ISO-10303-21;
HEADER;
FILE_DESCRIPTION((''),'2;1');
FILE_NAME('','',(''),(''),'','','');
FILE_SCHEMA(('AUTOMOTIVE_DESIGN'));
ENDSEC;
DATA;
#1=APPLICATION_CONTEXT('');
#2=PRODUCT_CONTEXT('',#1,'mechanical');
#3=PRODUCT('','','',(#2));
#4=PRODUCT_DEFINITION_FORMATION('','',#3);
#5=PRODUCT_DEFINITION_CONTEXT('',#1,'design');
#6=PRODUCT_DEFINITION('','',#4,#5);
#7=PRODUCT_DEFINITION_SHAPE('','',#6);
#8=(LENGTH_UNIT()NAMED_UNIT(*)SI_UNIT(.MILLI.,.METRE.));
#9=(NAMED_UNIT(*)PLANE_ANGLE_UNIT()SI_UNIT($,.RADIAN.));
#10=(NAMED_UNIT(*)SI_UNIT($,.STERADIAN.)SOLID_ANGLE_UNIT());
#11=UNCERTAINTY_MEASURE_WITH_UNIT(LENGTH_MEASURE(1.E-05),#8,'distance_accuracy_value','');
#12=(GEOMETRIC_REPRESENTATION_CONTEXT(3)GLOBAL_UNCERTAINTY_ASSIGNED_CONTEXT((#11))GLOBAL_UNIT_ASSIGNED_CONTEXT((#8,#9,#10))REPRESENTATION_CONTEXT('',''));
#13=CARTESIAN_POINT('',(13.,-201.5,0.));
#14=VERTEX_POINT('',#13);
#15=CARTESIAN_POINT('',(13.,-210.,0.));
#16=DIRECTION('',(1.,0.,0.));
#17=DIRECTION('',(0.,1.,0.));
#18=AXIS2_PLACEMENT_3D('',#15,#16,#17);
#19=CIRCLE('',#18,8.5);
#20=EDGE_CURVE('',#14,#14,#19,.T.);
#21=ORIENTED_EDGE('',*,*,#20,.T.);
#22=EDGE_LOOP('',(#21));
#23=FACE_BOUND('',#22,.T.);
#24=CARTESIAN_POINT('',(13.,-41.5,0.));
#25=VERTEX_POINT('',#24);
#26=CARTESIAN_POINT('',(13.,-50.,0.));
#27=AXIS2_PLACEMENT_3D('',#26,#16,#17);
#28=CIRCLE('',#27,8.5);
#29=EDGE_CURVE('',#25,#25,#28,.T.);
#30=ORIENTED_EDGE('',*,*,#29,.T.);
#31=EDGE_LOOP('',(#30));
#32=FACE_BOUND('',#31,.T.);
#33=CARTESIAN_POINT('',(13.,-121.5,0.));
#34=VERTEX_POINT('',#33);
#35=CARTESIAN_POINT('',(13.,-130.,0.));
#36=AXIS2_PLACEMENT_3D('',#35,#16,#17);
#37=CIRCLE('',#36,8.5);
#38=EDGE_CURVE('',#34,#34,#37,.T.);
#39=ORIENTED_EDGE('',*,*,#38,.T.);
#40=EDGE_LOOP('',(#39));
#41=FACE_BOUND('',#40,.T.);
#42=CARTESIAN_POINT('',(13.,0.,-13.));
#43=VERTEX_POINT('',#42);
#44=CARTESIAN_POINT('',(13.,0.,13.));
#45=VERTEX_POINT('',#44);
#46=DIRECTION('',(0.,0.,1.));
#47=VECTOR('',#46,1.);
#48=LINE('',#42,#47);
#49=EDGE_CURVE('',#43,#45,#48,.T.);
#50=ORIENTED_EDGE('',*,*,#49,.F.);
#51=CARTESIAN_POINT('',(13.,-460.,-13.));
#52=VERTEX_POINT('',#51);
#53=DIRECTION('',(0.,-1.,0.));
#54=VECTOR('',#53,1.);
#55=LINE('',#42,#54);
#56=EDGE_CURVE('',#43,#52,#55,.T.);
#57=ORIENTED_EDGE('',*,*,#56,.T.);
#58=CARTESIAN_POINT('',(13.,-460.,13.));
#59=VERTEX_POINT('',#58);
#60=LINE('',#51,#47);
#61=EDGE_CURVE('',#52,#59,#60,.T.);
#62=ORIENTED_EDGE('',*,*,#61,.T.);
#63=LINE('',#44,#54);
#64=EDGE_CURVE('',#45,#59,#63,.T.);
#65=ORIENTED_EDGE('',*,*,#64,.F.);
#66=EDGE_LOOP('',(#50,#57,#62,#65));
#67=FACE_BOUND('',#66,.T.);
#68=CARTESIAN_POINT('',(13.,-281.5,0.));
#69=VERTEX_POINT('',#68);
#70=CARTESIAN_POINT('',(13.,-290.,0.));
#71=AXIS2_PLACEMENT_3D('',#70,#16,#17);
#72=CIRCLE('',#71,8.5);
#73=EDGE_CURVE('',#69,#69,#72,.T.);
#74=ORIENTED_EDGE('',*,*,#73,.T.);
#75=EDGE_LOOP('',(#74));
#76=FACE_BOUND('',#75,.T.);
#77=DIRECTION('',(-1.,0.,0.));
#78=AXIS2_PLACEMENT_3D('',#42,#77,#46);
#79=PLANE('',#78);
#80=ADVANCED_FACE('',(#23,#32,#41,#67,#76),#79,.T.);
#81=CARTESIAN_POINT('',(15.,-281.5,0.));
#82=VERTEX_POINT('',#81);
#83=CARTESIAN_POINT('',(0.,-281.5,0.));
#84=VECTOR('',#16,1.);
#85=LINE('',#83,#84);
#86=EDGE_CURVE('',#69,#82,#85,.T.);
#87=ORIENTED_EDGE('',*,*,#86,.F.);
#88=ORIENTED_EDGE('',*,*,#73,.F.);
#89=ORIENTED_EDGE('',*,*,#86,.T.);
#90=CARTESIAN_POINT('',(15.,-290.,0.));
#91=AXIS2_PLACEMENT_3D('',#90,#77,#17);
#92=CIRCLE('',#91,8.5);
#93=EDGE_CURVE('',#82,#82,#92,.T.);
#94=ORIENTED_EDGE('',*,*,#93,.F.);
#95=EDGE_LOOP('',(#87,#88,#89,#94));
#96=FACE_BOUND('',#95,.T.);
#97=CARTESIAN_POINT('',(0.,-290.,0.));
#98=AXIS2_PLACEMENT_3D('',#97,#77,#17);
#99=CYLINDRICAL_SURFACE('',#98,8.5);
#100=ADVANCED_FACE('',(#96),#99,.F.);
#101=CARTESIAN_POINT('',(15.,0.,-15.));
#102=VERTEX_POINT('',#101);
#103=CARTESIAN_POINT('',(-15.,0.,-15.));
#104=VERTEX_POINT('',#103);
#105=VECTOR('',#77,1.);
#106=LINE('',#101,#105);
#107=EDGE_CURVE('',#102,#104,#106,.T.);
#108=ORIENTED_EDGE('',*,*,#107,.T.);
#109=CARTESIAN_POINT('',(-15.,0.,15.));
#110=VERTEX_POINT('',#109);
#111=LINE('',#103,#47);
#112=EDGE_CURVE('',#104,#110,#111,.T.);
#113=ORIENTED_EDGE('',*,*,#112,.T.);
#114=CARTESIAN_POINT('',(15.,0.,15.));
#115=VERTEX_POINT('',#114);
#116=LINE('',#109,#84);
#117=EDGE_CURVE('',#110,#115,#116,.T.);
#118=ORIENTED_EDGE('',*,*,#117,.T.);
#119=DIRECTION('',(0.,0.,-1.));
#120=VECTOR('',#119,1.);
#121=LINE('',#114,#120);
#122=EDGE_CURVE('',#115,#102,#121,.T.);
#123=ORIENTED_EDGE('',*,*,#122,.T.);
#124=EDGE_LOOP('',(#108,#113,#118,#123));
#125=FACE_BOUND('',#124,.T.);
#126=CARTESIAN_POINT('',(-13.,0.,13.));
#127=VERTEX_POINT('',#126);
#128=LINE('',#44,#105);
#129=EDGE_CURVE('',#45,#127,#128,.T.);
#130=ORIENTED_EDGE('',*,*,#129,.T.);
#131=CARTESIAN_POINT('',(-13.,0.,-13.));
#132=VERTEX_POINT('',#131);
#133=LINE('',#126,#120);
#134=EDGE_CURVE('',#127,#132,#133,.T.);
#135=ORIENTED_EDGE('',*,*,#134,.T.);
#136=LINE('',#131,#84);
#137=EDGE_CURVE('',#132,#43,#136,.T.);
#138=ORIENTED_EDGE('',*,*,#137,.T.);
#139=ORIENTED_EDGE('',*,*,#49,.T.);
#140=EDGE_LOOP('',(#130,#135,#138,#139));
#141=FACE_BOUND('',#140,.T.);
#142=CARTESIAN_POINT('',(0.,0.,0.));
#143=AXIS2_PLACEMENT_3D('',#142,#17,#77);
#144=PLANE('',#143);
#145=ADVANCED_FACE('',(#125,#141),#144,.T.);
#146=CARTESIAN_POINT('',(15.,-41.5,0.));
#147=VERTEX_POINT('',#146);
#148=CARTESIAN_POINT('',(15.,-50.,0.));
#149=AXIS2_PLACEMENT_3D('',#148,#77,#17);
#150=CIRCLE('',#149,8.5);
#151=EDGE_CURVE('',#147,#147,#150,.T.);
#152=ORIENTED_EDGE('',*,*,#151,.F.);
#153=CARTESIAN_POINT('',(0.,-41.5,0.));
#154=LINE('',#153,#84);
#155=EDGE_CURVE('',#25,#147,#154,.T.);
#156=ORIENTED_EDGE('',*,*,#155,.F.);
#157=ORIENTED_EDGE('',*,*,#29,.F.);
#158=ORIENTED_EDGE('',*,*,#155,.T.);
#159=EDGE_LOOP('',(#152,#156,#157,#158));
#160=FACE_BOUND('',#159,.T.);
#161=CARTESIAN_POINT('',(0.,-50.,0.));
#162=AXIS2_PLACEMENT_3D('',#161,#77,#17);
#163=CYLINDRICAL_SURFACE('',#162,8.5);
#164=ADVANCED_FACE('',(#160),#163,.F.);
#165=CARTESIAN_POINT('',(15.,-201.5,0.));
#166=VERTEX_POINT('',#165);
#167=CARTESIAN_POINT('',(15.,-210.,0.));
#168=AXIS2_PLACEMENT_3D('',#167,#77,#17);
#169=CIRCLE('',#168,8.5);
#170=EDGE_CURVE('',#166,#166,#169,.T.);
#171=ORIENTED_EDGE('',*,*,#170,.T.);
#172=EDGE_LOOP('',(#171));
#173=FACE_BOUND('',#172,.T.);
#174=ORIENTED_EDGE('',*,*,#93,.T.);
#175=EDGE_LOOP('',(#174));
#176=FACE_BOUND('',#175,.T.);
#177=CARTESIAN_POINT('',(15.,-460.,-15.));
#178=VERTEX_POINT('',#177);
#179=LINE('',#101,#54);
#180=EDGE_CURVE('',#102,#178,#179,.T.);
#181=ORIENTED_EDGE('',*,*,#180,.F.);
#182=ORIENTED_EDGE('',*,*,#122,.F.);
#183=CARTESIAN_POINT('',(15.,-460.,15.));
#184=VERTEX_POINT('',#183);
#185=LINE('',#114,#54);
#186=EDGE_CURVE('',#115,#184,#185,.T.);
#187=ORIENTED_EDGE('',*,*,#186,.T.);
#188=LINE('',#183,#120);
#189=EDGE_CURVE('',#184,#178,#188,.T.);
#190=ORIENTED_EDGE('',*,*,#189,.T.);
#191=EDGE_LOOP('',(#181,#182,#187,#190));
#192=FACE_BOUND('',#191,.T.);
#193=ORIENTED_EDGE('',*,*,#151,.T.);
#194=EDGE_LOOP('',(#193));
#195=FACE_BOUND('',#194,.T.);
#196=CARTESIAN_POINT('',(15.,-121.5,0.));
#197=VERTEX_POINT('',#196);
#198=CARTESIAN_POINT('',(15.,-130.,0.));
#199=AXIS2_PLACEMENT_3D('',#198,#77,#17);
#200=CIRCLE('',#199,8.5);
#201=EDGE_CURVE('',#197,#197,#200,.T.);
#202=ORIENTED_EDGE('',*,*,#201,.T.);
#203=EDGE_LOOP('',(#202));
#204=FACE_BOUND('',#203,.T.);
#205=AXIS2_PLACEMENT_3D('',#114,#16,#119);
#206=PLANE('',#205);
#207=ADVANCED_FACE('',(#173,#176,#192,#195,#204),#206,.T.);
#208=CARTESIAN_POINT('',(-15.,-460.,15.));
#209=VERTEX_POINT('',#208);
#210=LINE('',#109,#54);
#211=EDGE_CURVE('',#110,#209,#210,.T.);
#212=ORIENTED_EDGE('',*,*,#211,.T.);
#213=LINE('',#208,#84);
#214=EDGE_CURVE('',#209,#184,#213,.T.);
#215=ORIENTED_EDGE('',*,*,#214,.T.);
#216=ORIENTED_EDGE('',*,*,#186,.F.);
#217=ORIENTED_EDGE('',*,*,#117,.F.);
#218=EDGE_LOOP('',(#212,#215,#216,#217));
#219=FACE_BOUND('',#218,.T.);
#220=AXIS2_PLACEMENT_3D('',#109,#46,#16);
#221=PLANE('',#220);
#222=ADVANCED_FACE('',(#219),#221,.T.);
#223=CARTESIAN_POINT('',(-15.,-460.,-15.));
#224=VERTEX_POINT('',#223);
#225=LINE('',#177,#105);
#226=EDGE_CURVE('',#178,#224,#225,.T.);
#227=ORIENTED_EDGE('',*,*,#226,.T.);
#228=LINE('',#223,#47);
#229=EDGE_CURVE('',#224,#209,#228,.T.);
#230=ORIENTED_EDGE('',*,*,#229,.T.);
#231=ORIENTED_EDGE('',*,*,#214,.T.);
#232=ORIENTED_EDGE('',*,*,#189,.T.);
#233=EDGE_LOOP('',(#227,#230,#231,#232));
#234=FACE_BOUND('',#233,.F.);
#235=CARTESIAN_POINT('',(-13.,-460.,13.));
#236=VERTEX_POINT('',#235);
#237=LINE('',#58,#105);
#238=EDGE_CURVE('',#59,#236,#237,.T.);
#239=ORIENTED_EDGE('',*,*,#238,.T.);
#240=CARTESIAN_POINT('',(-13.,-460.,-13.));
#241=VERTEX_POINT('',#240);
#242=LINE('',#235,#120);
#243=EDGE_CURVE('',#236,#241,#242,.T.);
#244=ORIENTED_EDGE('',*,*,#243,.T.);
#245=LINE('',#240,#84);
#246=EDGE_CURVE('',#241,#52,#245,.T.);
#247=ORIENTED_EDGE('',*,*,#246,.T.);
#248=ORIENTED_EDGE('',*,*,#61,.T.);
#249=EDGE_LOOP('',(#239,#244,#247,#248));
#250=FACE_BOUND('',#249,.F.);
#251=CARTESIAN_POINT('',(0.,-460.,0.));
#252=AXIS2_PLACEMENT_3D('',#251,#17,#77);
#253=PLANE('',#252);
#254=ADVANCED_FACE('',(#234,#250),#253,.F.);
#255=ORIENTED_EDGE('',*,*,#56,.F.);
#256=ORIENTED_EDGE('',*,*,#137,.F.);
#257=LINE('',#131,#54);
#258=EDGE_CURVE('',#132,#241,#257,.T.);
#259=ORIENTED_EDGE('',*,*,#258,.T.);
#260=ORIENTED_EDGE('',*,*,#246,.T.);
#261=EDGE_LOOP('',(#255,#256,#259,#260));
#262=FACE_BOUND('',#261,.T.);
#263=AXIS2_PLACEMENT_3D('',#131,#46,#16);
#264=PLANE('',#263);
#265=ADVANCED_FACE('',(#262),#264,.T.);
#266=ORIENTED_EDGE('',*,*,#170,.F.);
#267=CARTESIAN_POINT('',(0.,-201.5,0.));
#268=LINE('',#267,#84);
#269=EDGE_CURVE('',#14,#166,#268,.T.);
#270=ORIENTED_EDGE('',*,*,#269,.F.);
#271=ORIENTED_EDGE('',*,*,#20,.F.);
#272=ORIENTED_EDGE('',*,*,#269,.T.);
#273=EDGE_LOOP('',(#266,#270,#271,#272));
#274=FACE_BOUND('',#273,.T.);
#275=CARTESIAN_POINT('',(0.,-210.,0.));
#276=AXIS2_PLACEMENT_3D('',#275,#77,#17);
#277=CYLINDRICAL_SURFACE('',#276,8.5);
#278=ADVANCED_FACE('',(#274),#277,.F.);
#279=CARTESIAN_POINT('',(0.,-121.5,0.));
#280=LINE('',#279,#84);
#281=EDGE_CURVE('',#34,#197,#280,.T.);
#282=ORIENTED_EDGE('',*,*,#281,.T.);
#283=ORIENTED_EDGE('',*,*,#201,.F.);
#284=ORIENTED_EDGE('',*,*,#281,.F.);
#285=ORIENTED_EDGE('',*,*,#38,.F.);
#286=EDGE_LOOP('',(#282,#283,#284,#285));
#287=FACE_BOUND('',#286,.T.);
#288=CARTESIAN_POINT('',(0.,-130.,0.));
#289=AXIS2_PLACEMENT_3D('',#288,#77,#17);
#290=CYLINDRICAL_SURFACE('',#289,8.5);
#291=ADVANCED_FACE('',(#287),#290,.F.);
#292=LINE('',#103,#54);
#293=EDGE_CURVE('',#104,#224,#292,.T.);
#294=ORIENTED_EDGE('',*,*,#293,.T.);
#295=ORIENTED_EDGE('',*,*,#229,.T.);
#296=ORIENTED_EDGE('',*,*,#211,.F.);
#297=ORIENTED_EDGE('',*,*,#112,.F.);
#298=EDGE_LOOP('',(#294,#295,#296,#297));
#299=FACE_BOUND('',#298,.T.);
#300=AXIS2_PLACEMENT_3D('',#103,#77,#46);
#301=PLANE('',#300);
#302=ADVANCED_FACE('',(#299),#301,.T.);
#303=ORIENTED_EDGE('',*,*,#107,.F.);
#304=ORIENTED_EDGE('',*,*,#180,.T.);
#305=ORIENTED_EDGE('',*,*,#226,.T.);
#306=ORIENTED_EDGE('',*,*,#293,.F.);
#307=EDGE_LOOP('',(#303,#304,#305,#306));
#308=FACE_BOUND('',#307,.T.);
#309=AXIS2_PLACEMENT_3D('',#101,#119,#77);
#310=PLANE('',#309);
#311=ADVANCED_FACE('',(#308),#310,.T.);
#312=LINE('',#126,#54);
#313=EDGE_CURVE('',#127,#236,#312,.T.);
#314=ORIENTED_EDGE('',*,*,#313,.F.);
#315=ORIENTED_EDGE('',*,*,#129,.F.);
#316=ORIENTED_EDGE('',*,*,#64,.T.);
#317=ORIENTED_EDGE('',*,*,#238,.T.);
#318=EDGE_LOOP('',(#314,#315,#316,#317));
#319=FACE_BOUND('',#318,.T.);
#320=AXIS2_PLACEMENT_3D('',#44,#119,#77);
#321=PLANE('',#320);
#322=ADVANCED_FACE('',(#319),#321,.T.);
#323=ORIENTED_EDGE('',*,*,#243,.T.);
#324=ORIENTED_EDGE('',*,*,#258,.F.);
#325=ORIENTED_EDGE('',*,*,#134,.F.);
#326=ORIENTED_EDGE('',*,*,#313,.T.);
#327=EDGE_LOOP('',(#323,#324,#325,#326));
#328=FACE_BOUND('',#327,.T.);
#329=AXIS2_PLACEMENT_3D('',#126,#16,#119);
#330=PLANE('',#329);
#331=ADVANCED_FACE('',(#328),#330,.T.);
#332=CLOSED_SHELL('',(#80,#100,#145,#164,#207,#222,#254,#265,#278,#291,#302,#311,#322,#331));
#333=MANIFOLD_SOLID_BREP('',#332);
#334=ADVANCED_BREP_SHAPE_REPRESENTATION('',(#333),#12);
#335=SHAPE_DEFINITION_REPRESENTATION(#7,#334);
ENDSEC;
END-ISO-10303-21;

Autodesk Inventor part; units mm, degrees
ref_plane "YZ Plane" through (0, 0, 0) normal (1, 0, 0) x (0, 1, 0)
ref_plane "XZ Plane" through (0, 0, 0) normal (0, 1, 0) x (-1, 0, 0)
ref_plane "XY Plane" through (0, 0, 0) normal (0, 0, 1) x (1, 0, 0)
sketch "Sketch9" plane through (0, 0, 0) normal (0, 1, 0) x (-1, 0, 0)
  line L0 (15, 15) -> (-15, 15)
  line L1 (-15, 15) -> (-15, -15)
  line L2 (-15, -15) -> (15, -15)
  line L3 (15, -15) -> (15, 15)
  line L4 (15, 15) -> (-15, -15) construction
  line L5 (-15, 15) -> (15, -15) construction
  line L6 (-13, 13) -> (13, 13)
  line L7 (13, 13) -> (13, -13)
  line L8 (13, -13) -> (-13, -13)
  line L9 (-13, -13) -> (-13, 13)
  point P0 (0, 0)
  dimension "d172" = 30
  dimension "d173" = 30
  dimension "d174" = 2
extrude "Extrusion3" add sketch "Sketch9" against normal blind 460
sketch "Sketch10" plane through (0, 0, 0) normal (1, 0, 0) x (0, 1, 0)
  line L0 (0, 15) -> (0, -15) construction
  line L1 (0, 15) -> (-460, 15) construction
  line L2 (0, -15) -> (-460, -15) construction
  line L3 (-58.5, 8.5) -> (-41.5, 8.5)
  line L4 (-41.5, 8.5) -> (-41.5, -8.5)
  line L5 (-41.5, -8.5) -> (-58.5, -8.5)
  line L6 (-58.5, -8.5) -> (-58.5, 8.5)
  line L7 (-58.5, 8.5) -> (-41.5, -8.5) construction
  line L8 (-41.5, 8.5) -> (-58.5, -8.5) construction
  line L9 (0, 0) -> (30, 0)
  circle A0 centre (-50, 0) radius 8.5
  dimension "d177" = 17
  dimension "d178" = 17
  dimension "d181" = 30
  dimension "d182" = 80
extrude "Extrusion4" cut sketch "Sketch10" along normal through all contours A0
pattern_linear "Rectangular Pattern4" count 4 spacing 80 along (0, -1, 0) of "Extrusion4"
properties part number "PRS 1662 DrSysB way tube 2_1200" material "Stainless Steel"
